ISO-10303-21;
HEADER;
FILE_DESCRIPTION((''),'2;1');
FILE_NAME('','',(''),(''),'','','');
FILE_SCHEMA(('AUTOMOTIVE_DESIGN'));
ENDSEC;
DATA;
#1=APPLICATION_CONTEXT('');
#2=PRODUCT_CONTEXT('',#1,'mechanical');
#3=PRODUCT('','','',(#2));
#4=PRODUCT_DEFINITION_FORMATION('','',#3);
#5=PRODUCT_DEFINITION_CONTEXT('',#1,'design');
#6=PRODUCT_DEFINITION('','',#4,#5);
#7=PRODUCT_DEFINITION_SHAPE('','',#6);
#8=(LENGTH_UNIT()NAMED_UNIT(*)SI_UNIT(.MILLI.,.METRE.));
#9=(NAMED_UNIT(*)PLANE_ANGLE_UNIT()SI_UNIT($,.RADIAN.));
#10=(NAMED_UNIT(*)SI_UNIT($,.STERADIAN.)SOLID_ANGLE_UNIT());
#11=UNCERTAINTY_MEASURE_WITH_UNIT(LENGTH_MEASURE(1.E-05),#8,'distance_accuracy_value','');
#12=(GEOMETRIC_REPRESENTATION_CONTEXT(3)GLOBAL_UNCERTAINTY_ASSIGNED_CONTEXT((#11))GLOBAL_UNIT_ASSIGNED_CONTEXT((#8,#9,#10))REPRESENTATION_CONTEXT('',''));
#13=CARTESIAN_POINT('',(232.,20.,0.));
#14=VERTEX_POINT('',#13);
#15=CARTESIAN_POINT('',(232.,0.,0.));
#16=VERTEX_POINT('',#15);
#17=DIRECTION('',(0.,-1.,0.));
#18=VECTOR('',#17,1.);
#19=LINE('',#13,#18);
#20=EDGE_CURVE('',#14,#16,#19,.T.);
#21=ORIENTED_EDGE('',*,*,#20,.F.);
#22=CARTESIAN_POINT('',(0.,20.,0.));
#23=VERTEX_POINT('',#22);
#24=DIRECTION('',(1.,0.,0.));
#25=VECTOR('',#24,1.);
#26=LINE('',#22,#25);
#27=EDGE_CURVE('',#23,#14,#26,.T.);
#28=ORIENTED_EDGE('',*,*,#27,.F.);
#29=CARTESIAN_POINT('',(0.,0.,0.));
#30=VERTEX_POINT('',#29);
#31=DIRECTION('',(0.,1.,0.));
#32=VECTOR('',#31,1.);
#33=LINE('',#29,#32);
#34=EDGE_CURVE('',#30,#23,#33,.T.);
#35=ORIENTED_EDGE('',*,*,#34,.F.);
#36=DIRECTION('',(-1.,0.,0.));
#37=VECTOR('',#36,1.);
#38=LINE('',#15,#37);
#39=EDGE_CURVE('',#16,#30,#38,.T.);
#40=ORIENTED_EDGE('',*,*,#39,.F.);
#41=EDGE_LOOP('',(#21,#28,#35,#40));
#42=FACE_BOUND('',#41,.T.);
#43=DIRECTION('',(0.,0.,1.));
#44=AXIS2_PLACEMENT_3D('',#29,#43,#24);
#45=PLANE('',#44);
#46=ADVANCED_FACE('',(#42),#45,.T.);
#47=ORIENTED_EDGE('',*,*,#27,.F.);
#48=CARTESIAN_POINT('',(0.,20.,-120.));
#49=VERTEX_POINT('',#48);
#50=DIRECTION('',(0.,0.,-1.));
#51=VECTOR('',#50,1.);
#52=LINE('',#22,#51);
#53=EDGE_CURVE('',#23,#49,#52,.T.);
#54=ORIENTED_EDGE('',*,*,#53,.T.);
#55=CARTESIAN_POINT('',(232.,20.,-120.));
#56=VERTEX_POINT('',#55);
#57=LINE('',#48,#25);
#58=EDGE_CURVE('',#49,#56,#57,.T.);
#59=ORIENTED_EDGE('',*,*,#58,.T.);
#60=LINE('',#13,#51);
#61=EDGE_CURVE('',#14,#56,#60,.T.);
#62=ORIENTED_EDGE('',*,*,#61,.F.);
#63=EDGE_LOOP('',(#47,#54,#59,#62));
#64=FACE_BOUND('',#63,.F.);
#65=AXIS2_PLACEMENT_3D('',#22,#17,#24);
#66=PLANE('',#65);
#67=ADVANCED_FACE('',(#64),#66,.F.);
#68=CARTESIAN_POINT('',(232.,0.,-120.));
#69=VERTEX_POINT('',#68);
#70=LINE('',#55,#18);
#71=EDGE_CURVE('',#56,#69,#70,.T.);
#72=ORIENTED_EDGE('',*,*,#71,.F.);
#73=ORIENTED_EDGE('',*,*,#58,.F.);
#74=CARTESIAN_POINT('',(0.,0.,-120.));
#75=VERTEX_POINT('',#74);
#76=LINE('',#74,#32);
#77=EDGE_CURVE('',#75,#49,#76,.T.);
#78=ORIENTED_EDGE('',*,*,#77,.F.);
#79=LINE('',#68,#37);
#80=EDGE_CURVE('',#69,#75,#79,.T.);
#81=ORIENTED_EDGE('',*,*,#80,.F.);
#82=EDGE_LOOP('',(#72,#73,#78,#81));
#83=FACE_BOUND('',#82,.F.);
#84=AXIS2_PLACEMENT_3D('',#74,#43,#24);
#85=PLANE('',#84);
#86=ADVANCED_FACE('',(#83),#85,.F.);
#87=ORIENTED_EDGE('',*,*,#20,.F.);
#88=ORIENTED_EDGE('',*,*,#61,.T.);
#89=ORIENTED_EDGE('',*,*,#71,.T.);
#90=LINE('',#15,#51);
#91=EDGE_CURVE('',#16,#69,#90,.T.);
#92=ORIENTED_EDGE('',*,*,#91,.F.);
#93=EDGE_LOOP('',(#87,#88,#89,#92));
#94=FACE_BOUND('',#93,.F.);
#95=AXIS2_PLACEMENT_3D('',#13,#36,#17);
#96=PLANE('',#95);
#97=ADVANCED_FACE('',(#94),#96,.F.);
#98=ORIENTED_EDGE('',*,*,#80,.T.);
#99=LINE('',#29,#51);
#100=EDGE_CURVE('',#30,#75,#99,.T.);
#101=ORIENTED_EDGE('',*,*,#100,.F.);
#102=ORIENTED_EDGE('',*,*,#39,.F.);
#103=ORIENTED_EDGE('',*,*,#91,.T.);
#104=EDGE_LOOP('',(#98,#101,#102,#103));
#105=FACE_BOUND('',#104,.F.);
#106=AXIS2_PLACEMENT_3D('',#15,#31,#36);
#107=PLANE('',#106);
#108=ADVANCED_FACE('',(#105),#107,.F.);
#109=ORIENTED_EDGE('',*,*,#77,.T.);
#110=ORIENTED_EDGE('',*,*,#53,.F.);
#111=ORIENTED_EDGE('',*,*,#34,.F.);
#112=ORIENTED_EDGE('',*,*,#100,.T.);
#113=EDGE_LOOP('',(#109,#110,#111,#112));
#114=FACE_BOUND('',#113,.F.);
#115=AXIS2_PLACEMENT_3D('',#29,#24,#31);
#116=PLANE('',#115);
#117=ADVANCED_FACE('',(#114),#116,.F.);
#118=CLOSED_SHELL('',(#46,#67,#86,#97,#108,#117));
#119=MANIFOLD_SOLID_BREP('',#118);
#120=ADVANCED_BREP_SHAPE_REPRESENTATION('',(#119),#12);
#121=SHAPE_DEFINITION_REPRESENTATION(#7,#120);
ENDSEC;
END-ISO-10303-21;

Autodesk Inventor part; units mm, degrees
ref_plane "YZ Plane" through (0, 0, 0) normal (1, 0, 0) x (0, 1, 0)
ref_plane "XZ Plane" through (0, 0, 0) normal (0, 1, 0) x (-1, 0, 0)
ref_plane "XY Plane" through (0, 0, 0) normal (0, 0, 1) x (1, 0, 0)
sketch "Sketch1" plane through (0, 0, 0) normal (0, 0, 1) x (1, 0, 0)
  line L0 (0, 0) -> (0, 20)
  line L1 (0, 20) -> (232, 20)
  line L2 (232, 20) -> (232, 0)
  line L3 (232, 0) -> (0, 0)
  dimension "d0" = 20
  dimension "d1" = 232
extrude "Extrusion1" add sketch "Sketch1" against normal blind 120
properties part number "Weldedsupportpart2"
